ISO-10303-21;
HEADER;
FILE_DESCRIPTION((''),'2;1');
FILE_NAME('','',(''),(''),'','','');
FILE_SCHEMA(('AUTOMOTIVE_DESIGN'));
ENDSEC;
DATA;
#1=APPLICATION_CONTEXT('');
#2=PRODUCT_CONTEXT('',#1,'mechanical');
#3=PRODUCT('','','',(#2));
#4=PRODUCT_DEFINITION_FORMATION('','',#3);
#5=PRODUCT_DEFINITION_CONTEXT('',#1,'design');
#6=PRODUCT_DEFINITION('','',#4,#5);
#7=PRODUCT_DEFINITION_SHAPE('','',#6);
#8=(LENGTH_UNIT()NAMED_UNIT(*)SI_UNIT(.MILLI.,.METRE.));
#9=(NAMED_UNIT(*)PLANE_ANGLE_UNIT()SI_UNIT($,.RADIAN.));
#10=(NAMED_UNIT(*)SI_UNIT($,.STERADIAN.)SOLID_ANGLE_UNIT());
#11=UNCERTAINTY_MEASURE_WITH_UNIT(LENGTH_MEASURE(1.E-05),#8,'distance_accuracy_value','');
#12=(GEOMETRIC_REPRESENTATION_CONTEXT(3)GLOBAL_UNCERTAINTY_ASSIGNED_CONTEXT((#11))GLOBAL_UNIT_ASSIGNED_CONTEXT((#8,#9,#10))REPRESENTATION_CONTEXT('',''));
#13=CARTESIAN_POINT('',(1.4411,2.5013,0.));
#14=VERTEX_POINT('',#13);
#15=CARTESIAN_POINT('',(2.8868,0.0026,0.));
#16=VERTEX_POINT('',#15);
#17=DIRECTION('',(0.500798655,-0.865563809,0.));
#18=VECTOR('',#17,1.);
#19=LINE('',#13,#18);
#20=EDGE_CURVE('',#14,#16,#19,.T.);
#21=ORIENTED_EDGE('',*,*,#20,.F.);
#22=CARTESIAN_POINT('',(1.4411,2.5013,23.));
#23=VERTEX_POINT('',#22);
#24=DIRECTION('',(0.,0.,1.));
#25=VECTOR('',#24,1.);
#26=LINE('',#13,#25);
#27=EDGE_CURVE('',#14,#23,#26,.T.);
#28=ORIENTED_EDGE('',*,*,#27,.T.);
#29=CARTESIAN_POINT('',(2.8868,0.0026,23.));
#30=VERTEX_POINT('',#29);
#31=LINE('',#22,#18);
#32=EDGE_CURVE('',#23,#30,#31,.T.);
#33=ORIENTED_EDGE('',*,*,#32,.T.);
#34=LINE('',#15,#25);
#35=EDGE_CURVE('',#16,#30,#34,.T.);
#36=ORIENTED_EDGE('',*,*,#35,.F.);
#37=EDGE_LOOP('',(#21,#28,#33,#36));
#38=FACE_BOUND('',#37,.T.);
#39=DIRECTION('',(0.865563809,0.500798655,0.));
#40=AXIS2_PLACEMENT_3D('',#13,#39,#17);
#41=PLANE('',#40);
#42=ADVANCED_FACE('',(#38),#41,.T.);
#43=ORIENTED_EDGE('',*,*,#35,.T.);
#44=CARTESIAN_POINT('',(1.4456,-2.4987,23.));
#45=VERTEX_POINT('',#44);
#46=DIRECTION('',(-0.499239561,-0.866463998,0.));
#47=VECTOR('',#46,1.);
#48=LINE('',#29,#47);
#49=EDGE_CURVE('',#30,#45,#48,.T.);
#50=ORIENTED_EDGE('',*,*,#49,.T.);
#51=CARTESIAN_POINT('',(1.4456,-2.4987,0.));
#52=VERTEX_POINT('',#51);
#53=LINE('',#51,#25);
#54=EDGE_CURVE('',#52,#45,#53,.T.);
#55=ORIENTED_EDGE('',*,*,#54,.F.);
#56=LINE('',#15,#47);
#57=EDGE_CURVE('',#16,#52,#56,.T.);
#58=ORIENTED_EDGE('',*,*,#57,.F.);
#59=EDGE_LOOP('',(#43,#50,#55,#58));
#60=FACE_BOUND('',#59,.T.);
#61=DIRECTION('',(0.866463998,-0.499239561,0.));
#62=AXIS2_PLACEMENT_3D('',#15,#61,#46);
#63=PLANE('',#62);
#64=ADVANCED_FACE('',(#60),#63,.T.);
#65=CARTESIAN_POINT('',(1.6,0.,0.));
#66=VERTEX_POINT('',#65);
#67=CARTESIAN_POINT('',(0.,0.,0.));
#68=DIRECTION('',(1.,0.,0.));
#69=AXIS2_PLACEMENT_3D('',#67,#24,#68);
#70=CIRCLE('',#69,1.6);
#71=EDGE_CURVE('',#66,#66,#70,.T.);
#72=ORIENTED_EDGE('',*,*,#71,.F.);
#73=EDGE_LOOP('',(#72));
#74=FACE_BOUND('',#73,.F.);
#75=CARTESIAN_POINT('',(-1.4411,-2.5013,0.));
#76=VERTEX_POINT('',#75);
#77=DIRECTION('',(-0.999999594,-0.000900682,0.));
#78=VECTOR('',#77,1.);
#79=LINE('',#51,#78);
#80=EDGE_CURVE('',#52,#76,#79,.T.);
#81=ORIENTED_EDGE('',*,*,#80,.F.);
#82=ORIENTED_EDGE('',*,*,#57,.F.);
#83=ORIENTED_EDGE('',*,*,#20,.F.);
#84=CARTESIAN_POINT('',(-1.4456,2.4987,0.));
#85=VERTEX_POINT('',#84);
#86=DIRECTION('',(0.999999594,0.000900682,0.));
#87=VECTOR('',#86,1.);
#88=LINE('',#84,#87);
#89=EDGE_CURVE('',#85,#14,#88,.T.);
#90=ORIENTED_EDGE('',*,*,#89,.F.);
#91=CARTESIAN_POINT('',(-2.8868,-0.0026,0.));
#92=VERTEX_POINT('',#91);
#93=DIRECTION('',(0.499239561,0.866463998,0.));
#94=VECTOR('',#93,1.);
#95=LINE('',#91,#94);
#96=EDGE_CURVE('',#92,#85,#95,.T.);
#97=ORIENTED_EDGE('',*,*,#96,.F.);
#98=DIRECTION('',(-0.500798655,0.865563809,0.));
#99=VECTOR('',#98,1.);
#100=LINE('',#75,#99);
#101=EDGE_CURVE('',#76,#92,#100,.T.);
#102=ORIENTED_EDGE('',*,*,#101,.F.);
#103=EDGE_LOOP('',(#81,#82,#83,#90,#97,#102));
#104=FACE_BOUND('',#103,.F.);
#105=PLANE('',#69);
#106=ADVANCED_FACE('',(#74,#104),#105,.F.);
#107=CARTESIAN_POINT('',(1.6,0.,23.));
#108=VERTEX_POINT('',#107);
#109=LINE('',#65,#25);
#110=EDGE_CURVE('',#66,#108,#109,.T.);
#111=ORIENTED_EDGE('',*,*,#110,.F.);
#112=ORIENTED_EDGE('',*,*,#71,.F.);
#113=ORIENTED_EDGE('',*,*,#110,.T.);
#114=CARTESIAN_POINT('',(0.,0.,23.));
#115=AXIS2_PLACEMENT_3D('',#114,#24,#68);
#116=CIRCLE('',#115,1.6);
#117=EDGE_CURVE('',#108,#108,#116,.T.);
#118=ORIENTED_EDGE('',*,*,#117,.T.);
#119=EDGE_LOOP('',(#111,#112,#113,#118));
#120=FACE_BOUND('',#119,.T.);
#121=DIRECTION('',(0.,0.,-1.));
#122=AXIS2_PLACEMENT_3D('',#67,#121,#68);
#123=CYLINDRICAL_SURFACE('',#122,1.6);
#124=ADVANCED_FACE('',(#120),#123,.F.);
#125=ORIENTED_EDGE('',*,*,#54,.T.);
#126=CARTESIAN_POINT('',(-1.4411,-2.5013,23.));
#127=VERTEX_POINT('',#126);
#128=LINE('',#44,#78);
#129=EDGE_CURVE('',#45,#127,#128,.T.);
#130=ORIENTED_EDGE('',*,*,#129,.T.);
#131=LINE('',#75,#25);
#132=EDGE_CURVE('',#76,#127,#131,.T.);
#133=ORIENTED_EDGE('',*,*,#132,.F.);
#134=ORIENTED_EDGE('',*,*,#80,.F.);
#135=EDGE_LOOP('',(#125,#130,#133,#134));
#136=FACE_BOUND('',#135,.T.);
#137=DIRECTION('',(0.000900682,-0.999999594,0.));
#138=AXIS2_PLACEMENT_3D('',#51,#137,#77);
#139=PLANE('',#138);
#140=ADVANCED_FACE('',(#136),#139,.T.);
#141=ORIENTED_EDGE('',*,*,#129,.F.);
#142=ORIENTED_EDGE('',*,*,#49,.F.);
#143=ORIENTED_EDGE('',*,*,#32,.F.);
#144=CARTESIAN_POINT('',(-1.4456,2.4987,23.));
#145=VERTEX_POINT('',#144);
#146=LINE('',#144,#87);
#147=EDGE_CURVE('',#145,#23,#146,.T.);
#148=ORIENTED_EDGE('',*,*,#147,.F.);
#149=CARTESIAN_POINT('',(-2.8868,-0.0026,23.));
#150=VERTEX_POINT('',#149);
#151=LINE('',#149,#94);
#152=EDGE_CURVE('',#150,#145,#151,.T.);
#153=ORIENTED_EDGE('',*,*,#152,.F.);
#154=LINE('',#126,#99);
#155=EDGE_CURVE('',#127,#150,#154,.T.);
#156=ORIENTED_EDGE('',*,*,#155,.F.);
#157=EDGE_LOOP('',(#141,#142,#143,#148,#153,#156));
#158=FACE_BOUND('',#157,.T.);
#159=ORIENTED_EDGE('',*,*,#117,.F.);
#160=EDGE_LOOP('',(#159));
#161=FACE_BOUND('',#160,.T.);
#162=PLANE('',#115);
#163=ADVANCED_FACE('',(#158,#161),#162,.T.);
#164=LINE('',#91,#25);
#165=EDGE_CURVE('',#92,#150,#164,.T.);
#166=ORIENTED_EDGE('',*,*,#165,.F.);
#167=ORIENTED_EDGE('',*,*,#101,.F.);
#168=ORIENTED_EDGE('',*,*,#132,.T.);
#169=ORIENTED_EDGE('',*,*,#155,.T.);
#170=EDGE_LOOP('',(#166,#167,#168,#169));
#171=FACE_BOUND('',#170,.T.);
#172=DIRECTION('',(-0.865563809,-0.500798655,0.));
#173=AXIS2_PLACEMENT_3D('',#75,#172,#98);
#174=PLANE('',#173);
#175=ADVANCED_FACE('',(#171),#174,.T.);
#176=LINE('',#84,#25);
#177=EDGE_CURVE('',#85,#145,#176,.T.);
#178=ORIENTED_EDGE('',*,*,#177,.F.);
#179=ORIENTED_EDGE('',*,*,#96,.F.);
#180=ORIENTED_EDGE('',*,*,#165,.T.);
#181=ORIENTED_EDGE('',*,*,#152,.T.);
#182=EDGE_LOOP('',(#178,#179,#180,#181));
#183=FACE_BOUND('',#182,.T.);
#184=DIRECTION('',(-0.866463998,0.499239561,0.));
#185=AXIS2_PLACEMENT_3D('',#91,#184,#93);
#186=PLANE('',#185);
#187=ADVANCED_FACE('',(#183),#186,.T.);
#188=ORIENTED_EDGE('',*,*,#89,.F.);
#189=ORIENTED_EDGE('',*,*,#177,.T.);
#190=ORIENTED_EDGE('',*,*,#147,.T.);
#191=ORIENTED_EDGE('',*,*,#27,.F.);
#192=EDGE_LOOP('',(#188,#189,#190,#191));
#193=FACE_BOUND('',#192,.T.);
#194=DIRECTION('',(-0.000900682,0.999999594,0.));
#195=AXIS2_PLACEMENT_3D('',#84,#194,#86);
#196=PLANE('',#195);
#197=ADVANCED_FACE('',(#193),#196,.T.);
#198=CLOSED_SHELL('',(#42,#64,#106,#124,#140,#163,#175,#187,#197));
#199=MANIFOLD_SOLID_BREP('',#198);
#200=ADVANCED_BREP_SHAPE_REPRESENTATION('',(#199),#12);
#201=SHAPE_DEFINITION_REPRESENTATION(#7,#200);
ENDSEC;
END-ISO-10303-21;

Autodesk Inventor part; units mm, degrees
ref_plane "YZ Plane" through (0, 0, 0) normal (1, 0, 0) x (0, 1, 0)
ref_plane "XZ Plane" through (0, 0, 0) normal (0, 1, 0) x (-1, 0, 0)
ref_plane "XY Plane" through (0, 0, 0) normal (0, 0, 1) x (1, 0, 0)
sketch "スケッチ1" plane through (0, 0, 0) normal (0, 0, 1) x (1, 0, 0)
  line L0 (1.4411, 2.5013) -> (2.8868, 0.0026)
  line L1 (2.8868, 0.0026) -> (1.4456, -2.4987)
  line L2 (1.4456, -2.4987) -> (-1.4411, -2.5013)
  line L3 (-1.4411, -2.5013) -> (-2.8868, -0.0026)
  line L4 (-2.8868, -0.0026) -> (-1.4456, 2.4987)
  line L5 (-1.4456, 2.4987) -> (1.4411, 2.5013)
  circle A0 centre (0, 0) radius 1.6
  dimension "d0" = 3.2
  dimension "d1" = 5
extrude "押し出し1" add sketch "スケッチ1" along normal blind 23
properties part number "キャスタスペーサ"
